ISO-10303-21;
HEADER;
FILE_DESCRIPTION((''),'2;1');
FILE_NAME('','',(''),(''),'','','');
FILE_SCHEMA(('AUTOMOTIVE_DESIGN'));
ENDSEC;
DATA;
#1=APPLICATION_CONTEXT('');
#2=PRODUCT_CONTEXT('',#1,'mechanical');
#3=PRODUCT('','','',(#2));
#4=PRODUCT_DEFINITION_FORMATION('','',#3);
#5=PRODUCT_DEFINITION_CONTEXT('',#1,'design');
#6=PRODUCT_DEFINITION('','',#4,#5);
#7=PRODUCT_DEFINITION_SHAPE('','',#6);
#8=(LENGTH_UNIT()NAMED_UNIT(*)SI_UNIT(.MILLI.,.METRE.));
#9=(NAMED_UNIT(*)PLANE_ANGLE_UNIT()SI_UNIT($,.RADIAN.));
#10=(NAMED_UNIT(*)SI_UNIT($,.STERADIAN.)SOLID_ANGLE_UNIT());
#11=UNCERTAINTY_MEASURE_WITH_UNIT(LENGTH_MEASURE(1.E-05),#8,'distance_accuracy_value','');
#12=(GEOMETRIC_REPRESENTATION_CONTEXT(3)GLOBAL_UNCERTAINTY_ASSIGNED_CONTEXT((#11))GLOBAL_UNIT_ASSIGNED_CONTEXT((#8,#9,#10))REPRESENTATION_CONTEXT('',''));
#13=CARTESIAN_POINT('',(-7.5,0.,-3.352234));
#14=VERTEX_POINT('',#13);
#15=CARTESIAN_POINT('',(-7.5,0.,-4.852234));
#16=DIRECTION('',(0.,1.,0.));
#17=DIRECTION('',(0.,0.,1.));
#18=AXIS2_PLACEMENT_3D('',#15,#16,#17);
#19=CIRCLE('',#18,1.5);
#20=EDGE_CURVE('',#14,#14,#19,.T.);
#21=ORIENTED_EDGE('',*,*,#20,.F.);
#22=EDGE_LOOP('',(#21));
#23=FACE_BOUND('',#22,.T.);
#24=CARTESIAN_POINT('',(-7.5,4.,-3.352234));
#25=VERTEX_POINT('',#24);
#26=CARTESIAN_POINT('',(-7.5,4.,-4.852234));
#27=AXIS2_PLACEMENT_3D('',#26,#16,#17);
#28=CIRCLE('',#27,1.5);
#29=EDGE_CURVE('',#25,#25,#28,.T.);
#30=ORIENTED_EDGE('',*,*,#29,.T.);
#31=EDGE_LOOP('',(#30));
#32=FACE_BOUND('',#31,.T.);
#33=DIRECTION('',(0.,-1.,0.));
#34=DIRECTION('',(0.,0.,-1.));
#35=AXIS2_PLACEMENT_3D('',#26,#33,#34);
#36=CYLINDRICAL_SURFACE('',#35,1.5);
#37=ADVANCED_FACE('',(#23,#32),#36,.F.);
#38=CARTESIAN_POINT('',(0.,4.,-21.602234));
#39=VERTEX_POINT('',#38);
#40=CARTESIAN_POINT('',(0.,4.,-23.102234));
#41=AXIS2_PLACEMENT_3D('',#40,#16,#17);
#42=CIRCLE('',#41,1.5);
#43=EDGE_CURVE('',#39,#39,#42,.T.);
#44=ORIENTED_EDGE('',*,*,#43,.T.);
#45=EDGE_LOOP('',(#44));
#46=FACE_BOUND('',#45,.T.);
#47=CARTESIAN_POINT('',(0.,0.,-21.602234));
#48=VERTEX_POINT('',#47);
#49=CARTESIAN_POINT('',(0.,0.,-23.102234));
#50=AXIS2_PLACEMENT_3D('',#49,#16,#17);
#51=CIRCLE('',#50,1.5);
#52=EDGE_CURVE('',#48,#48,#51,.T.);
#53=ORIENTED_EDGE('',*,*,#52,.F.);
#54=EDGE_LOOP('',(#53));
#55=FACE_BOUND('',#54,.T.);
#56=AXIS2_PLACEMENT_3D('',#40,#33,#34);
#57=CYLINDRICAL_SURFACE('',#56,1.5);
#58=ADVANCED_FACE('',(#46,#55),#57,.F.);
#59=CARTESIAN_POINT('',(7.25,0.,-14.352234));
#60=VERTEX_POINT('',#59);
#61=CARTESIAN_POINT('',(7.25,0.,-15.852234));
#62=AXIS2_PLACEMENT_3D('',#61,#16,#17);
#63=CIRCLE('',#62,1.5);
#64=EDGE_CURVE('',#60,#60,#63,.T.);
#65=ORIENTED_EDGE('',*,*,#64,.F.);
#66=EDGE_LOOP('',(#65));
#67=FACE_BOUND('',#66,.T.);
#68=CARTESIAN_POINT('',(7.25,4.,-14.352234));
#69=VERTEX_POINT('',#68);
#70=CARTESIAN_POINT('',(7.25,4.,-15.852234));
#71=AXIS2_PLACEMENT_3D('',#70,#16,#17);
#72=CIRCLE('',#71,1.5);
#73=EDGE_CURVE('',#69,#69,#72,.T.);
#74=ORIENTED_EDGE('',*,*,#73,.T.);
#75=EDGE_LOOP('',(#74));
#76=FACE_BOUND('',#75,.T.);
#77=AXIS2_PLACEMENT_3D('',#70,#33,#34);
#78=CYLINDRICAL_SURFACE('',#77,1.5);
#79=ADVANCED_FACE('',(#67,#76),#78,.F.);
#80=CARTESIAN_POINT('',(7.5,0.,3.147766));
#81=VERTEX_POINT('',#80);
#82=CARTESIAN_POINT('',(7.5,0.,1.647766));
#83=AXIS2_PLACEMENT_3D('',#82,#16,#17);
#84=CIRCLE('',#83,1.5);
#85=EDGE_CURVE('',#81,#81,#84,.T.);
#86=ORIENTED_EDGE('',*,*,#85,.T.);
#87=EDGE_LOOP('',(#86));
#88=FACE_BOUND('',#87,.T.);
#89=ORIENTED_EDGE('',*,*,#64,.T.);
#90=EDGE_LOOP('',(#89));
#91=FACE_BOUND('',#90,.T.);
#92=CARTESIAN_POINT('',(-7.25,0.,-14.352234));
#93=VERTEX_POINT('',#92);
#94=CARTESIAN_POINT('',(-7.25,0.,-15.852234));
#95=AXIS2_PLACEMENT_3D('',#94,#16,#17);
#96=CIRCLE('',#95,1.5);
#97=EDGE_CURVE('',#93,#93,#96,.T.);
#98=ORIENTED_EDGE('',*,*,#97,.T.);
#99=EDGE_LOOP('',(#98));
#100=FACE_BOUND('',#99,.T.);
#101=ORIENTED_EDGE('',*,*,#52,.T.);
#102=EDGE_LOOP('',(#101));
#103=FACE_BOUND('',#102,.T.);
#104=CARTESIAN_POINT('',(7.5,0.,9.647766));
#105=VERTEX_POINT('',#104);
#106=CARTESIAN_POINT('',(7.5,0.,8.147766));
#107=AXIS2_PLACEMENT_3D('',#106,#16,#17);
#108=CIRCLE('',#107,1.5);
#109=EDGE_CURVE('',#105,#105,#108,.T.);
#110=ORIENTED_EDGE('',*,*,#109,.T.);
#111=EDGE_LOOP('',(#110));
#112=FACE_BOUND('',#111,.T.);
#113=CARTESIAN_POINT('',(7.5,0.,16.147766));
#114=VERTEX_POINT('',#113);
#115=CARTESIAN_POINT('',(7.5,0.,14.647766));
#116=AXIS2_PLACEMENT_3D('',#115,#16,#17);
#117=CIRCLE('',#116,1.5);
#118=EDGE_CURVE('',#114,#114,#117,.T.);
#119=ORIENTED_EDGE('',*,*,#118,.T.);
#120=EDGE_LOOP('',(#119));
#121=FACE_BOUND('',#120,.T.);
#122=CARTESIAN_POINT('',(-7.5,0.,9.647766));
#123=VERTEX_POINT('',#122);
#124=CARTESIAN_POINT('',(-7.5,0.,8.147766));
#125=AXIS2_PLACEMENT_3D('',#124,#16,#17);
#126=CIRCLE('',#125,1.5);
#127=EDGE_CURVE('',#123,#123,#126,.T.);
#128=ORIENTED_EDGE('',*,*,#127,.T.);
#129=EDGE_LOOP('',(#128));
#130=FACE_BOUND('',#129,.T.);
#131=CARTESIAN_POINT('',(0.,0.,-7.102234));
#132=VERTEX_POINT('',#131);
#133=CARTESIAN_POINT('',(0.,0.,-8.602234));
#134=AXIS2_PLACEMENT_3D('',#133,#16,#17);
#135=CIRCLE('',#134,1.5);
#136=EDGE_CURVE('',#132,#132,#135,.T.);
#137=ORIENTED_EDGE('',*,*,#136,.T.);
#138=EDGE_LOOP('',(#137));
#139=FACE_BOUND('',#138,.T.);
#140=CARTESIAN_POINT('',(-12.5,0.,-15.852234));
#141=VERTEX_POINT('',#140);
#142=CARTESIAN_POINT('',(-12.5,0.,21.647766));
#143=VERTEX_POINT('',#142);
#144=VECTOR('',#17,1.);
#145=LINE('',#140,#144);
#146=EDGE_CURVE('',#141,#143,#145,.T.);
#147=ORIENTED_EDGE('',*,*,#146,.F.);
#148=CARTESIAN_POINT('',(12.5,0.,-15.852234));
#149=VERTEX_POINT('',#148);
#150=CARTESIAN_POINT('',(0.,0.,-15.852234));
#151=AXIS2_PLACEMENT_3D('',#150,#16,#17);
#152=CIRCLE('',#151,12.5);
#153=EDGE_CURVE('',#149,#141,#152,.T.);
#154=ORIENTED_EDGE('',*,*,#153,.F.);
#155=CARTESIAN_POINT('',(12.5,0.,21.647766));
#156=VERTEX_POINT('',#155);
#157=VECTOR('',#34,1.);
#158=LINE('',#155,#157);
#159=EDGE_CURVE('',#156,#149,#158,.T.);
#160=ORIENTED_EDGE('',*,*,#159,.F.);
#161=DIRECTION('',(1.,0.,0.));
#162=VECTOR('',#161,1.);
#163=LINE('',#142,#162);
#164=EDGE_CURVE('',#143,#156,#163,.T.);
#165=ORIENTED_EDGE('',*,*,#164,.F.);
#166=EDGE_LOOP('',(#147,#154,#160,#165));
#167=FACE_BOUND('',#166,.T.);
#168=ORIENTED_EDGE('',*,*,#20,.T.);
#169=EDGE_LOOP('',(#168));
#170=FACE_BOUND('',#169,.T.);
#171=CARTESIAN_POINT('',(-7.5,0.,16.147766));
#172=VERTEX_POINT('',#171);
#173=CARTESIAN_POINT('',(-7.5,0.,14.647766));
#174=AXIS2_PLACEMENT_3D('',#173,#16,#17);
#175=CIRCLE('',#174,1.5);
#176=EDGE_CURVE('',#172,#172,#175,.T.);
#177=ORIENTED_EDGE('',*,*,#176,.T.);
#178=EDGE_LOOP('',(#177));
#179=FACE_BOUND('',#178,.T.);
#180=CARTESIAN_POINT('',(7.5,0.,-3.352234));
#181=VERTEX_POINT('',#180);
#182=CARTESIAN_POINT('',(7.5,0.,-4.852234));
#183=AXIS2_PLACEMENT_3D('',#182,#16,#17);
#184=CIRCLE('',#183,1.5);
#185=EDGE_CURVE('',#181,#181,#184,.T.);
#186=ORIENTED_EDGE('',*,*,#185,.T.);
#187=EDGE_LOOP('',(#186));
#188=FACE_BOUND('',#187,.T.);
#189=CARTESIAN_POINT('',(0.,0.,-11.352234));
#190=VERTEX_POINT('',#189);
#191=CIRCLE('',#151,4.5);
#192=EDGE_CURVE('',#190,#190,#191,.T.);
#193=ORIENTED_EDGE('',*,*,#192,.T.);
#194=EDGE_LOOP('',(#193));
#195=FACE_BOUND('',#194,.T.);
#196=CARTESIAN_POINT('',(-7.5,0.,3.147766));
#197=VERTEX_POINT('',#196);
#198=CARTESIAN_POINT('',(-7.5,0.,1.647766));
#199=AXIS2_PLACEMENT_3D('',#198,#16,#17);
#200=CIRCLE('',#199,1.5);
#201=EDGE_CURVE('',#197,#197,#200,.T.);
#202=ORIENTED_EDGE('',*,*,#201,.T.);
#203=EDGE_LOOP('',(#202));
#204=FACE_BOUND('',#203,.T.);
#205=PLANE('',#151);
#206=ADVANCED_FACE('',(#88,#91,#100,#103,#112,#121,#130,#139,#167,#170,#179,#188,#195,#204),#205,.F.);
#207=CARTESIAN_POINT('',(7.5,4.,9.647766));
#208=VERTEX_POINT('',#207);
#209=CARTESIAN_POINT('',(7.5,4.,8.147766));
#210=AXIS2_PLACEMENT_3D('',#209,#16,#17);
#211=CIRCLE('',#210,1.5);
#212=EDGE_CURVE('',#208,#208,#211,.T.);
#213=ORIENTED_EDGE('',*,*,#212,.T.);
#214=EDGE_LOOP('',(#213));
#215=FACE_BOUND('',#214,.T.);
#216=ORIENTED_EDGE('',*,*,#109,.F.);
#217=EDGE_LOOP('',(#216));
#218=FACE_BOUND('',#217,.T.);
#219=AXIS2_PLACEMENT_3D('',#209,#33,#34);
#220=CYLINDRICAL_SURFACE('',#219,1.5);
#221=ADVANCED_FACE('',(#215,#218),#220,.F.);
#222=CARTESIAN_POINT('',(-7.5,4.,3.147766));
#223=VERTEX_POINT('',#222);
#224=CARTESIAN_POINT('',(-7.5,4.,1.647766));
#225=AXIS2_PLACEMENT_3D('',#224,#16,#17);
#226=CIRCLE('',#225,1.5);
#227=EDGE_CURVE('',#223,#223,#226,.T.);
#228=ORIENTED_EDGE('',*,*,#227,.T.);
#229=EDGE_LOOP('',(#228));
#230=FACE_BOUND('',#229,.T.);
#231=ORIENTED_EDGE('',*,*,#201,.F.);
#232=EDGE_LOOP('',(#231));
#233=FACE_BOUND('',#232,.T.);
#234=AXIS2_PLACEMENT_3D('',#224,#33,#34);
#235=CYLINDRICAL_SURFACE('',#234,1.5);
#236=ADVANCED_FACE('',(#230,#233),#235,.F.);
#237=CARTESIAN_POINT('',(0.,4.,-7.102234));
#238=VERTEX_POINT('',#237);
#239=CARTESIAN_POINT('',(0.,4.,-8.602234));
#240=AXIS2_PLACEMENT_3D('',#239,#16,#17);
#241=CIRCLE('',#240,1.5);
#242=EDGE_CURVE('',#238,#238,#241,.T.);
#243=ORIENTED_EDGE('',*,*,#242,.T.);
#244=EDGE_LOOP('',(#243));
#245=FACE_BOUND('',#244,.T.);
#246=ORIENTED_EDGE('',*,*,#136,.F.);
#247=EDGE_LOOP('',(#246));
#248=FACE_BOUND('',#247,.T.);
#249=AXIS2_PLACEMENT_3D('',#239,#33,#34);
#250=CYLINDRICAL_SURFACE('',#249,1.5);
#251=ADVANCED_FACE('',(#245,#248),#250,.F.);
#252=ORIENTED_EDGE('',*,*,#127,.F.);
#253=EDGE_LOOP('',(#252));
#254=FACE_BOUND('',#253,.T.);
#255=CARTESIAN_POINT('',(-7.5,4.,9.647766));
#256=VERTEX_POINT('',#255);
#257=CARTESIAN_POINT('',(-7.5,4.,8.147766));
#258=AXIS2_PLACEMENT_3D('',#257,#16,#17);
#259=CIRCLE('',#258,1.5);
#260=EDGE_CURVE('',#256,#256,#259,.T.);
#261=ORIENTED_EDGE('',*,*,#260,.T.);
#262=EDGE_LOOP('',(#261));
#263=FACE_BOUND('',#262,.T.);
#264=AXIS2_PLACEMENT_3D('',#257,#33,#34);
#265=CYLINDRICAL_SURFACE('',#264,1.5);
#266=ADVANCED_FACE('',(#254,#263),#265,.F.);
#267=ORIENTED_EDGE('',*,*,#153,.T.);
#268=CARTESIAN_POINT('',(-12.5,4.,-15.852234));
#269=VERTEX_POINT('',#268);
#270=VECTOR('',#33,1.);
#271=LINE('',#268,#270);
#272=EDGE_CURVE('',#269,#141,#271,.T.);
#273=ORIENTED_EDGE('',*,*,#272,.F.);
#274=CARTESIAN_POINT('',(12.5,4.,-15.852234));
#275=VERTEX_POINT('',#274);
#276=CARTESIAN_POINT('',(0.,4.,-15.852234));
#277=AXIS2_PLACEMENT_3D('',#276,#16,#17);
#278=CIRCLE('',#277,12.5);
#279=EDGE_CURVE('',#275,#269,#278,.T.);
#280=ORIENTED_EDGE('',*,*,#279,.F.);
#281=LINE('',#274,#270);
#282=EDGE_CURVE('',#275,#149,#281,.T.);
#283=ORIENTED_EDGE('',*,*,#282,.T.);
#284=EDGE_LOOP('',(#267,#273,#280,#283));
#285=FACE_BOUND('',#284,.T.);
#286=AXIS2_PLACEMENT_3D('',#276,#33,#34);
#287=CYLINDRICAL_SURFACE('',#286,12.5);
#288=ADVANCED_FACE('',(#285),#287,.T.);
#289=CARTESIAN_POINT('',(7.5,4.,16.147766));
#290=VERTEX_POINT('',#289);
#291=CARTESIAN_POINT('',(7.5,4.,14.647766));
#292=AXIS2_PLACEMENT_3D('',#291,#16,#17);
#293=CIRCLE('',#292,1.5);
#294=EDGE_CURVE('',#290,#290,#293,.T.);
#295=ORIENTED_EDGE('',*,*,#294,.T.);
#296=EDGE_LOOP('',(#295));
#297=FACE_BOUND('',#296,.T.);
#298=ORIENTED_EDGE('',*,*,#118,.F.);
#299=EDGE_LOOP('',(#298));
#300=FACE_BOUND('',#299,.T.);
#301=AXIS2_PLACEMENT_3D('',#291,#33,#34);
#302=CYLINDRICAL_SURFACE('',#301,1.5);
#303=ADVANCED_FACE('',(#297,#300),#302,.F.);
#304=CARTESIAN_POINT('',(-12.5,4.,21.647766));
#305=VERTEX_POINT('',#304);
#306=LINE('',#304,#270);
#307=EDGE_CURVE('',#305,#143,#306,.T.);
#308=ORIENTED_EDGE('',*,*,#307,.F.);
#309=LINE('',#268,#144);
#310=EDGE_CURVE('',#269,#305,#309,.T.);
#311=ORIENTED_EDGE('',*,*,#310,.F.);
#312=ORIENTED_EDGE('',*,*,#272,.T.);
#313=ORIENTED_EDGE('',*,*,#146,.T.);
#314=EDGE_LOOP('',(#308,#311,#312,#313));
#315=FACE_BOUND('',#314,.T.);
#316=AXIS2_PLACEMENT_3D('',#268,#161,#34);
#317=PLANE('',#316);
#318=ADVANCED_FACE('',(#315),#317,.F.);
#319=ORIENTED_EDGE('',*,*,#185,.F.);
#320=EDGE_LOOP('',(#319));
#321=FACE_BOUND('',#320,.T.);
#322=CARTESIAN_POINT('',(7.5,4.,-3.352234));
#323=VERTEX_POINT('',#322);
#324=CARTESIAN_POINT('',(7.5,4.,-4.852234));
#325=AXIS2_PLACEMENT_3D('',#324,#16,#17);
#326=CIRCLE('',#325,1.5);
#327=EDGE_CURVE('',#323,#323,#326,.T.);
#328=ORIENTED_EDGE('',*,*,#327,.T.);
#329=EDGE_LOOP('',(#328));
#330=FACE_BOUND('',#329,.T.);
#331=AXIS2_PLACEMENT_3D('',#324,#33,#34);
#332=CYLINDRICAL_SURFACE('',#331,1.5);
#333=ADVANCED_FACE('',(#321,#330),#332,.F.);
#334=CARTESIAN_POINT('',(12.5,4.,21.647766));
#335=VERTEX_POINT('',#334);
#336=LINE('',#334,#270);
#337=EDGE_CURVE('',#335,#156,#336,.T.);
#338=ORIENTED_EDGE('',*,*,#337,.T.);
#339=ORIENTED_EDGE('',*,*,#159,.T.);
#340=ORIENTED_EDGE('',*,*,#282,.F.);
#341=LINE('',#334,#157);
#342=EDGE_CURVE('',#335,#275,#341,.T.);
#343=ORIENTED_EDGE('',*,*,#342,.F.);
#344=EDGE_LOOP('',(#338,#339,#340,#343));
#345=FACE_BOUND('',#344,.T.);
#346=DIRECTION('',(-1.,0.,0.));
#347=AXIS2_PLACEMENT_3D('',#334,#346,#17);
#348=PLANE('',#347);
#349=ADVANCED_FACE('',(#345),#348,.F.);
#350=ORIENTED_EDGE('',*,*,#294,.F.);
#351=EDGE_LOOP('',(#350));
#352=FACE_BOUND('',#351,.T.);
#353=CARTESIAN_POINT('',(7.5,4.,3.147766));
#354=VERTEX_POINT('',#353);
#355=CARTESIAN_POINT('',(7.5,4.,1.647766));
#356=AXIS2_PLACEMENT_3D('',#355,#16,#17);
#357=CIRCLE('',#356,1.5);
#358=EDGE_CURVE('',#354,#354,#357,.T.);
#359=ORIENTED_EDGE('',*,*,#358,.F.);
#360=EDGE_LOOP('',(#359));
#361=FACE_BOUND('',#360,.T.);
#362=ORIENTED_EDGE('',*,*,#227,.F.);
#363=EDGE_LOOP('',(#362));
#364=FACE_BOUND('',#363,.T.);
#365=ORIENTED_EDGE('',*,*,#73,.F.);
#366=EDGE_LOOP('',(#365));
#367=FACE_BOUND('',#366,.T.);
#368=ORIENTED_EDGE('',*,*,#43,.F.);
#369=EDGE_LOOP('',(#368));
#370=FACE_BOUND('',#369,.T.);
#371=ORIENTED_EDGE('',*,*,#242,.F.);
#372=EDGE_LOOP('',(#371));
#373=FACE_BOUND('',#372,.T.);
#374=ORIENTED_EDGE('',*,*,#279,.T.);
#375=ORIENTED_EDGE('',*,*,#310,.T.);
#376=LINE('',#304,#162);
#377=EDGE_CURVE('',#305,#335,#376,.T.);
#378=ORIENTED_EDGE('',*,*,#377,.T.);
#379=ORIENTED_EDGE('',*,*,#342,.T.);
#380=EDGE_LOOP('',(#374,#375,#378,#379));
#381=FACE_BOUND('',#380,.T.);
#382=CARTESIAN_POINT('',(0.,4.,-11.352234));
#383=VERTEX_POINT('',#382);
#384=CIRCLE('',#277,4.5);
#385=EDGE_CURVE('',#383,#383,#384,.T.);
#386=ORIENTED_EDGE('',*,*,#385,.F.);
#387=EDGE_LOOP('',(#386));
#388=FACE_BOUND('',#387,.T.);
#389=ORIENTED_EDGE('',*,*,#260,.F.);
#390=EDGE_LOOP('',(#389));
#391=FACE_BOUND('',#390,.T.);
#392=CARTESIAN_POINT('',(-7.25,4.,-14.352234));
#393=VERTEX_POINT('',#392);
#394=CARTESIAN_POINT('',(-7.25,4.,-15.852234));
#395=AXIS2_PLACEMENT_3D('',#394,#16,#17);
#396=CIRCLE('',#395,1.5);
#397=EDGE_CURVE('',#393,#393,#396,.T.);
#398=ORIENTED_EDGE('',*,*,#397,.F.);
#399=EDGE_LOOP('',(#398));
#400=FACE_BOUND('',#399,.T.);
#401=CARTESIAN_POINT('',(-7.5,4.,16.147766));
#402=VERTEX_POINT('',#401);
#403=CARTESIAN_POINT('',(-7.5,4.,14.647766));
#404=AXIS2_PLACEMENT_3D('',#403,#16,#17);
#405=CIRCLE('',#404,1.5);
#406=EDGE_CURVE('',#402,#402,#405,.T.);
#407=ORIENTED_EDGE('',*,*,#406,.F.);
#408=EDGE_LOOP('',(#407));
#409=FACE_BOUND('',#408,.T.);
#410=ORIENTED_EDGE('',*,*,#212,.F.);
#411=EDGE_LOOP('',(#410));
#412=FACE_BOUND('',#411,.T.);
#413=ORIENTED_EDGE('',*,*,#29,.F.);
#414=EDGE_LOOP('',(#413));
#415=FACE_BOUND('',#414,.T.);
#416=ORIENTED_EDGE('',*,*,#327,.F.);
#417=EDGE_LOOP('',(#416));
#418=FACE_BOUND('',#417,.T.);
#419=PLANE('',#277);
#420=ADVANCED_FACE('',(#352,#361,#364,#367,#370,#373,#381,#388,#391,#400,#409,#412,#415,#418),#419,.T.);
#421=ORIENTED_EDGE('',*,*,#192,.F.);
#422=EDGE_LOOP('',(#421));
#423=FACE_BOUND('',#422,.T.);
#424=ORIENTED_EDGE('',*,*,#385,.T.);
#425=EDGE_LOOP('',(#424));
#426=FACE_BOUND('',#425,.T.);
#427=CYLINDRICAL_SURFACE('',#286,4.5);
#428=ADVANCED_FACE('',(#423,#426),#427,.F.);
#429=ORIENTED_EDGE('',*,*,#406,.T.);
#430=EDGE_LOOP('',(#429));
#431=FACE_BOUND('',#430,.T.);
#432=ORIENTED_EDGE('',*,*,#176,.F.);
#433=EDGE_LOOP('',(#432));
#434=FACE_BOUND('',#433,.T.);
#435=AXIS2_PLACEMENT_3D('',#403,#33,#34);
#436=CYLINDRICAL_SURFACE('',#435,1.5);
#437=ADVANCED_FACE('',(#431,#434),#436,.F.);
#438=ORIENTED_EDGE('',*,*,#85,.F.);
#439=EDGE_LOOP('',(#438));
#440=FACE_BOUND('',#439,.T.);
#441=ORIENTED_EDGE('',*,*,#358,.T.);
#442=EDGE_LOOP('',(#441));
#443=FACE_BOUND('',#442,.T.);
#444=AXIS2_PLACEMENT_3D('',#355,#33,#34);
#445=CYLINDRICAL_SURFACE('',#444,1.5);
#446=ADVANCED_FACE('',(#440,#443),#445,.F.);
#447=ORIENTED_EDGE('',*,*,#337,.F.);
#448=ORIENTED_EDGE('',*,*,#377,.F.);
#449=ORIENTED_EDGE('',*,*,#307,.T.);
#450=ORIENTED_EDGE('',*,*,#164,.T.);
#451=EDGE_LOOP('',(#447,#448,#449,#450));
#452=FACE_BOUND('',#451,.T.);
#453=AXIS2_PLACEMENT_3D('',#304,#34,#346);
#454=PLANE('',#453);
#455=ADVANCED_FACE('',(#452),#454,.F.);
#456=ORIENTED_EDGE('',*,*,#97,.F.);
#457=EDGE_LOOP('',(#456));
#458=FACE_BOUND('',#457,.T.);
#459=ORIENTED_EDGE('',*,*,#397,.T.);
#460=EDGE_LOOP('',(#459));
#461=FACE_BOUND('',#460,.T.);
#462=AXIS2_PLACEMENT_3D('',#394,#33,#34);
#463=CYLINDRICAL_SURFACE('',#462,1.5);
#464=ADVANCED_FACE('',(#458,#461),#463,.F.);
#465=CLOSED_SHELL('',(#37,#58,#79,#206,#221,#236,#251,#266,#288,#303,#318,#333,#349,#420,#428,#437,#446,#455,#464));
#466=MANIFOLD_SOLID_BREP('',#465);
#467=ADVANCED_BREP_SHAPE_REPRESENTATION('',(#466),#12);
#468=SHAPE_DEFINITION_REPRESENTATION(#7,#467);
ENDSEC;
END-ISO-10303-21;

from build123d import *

# Parameters (mm, degrees)
SKETCH_1_R      = 4.5
SKETCH_1_R_2    = 1.5
EXTRUDE_1_DEPTH = 4


with BuildPart() as part:
    # Эскиз1 → Бобышка-Вытянуть1 (new body)
    with BuildSketch(Plane(origin=(0, 0, 0), x_dir=(1, 0, 0), z_dir=(0, 1, 0))):
        with BuildLine():
            Line((-12.5, 15.852233677), (-12.5, -21.647766323))
            Line((-12.5, -21.647766323), (12.5, -21.647766323))
            Line((12.5, -21.647766323), (12.5, 15.852233677))
            ThreePointArc((12.5, 15.852233677), (0, 28.352233677), (-12.5, 15.852233677))
        make_face()
        with Locations((0, 15.852233677)):
            Circle(SKETCH_1_R, mode=Mode.SUBTRACT)
        with Locations((-7.5, -14.647766323)):
            Circle(SKETCH_1_R_2, mode=Mode.SUBTRACT)
        with Locations((7.5, -14.647766323)):
            Circle(SKETCH_1_R_2, mode=Mode.SUBTRACT)
        with Locations((-7.5, -8.147766323)):
            Circle(SKETCH_1_R_2, mode=Mode.SUBTRACT)
        with Locations((7.5, -8.147766323)):
            Circle(SKETCH_1_R_2, mode=Mode.SUBTRACT)
        with Locations((-7.5, -1.647766323)):
            Circle(SKETCH_1_R_2, mode=Mode.SUBTRACT)
        with Locations((7.5, -1.647766323)):
            Circle(SKETCH_1_R_2, mode=Mode.SUBTRACT)
        with Locations((-7.5, 4.852233677)):
            Circle(SKETCH_1_R_2, mode=Mode.SUBTRACT)
        with Locations((7.5, 4.852233677)):
            Circle(SKETCH_1_R_2, mode=Mode.SUBTRACT)
        with Locations((0, 23.102233677)):
            Circle(SKETCH_1_R_2, mode=Mode.SUBTRACT)
        with Locations((7.25, 15.852233677)):
            Circle(SKETCH_1_R_2, mode=Mode.SUBTRACT)
        with Locations((0, 8.602233677)):
            Circle(SKETCH_1_R_2, mode=Mode.SUBTRACT)
        with Locations((-7.25, 15.852233677)):
            Circle(SKETCH_1_R_2, mode=Mode.SUBTRACT)
    extrude(amount=EXTRUDE_1_DEPTH)


solid = part.part
